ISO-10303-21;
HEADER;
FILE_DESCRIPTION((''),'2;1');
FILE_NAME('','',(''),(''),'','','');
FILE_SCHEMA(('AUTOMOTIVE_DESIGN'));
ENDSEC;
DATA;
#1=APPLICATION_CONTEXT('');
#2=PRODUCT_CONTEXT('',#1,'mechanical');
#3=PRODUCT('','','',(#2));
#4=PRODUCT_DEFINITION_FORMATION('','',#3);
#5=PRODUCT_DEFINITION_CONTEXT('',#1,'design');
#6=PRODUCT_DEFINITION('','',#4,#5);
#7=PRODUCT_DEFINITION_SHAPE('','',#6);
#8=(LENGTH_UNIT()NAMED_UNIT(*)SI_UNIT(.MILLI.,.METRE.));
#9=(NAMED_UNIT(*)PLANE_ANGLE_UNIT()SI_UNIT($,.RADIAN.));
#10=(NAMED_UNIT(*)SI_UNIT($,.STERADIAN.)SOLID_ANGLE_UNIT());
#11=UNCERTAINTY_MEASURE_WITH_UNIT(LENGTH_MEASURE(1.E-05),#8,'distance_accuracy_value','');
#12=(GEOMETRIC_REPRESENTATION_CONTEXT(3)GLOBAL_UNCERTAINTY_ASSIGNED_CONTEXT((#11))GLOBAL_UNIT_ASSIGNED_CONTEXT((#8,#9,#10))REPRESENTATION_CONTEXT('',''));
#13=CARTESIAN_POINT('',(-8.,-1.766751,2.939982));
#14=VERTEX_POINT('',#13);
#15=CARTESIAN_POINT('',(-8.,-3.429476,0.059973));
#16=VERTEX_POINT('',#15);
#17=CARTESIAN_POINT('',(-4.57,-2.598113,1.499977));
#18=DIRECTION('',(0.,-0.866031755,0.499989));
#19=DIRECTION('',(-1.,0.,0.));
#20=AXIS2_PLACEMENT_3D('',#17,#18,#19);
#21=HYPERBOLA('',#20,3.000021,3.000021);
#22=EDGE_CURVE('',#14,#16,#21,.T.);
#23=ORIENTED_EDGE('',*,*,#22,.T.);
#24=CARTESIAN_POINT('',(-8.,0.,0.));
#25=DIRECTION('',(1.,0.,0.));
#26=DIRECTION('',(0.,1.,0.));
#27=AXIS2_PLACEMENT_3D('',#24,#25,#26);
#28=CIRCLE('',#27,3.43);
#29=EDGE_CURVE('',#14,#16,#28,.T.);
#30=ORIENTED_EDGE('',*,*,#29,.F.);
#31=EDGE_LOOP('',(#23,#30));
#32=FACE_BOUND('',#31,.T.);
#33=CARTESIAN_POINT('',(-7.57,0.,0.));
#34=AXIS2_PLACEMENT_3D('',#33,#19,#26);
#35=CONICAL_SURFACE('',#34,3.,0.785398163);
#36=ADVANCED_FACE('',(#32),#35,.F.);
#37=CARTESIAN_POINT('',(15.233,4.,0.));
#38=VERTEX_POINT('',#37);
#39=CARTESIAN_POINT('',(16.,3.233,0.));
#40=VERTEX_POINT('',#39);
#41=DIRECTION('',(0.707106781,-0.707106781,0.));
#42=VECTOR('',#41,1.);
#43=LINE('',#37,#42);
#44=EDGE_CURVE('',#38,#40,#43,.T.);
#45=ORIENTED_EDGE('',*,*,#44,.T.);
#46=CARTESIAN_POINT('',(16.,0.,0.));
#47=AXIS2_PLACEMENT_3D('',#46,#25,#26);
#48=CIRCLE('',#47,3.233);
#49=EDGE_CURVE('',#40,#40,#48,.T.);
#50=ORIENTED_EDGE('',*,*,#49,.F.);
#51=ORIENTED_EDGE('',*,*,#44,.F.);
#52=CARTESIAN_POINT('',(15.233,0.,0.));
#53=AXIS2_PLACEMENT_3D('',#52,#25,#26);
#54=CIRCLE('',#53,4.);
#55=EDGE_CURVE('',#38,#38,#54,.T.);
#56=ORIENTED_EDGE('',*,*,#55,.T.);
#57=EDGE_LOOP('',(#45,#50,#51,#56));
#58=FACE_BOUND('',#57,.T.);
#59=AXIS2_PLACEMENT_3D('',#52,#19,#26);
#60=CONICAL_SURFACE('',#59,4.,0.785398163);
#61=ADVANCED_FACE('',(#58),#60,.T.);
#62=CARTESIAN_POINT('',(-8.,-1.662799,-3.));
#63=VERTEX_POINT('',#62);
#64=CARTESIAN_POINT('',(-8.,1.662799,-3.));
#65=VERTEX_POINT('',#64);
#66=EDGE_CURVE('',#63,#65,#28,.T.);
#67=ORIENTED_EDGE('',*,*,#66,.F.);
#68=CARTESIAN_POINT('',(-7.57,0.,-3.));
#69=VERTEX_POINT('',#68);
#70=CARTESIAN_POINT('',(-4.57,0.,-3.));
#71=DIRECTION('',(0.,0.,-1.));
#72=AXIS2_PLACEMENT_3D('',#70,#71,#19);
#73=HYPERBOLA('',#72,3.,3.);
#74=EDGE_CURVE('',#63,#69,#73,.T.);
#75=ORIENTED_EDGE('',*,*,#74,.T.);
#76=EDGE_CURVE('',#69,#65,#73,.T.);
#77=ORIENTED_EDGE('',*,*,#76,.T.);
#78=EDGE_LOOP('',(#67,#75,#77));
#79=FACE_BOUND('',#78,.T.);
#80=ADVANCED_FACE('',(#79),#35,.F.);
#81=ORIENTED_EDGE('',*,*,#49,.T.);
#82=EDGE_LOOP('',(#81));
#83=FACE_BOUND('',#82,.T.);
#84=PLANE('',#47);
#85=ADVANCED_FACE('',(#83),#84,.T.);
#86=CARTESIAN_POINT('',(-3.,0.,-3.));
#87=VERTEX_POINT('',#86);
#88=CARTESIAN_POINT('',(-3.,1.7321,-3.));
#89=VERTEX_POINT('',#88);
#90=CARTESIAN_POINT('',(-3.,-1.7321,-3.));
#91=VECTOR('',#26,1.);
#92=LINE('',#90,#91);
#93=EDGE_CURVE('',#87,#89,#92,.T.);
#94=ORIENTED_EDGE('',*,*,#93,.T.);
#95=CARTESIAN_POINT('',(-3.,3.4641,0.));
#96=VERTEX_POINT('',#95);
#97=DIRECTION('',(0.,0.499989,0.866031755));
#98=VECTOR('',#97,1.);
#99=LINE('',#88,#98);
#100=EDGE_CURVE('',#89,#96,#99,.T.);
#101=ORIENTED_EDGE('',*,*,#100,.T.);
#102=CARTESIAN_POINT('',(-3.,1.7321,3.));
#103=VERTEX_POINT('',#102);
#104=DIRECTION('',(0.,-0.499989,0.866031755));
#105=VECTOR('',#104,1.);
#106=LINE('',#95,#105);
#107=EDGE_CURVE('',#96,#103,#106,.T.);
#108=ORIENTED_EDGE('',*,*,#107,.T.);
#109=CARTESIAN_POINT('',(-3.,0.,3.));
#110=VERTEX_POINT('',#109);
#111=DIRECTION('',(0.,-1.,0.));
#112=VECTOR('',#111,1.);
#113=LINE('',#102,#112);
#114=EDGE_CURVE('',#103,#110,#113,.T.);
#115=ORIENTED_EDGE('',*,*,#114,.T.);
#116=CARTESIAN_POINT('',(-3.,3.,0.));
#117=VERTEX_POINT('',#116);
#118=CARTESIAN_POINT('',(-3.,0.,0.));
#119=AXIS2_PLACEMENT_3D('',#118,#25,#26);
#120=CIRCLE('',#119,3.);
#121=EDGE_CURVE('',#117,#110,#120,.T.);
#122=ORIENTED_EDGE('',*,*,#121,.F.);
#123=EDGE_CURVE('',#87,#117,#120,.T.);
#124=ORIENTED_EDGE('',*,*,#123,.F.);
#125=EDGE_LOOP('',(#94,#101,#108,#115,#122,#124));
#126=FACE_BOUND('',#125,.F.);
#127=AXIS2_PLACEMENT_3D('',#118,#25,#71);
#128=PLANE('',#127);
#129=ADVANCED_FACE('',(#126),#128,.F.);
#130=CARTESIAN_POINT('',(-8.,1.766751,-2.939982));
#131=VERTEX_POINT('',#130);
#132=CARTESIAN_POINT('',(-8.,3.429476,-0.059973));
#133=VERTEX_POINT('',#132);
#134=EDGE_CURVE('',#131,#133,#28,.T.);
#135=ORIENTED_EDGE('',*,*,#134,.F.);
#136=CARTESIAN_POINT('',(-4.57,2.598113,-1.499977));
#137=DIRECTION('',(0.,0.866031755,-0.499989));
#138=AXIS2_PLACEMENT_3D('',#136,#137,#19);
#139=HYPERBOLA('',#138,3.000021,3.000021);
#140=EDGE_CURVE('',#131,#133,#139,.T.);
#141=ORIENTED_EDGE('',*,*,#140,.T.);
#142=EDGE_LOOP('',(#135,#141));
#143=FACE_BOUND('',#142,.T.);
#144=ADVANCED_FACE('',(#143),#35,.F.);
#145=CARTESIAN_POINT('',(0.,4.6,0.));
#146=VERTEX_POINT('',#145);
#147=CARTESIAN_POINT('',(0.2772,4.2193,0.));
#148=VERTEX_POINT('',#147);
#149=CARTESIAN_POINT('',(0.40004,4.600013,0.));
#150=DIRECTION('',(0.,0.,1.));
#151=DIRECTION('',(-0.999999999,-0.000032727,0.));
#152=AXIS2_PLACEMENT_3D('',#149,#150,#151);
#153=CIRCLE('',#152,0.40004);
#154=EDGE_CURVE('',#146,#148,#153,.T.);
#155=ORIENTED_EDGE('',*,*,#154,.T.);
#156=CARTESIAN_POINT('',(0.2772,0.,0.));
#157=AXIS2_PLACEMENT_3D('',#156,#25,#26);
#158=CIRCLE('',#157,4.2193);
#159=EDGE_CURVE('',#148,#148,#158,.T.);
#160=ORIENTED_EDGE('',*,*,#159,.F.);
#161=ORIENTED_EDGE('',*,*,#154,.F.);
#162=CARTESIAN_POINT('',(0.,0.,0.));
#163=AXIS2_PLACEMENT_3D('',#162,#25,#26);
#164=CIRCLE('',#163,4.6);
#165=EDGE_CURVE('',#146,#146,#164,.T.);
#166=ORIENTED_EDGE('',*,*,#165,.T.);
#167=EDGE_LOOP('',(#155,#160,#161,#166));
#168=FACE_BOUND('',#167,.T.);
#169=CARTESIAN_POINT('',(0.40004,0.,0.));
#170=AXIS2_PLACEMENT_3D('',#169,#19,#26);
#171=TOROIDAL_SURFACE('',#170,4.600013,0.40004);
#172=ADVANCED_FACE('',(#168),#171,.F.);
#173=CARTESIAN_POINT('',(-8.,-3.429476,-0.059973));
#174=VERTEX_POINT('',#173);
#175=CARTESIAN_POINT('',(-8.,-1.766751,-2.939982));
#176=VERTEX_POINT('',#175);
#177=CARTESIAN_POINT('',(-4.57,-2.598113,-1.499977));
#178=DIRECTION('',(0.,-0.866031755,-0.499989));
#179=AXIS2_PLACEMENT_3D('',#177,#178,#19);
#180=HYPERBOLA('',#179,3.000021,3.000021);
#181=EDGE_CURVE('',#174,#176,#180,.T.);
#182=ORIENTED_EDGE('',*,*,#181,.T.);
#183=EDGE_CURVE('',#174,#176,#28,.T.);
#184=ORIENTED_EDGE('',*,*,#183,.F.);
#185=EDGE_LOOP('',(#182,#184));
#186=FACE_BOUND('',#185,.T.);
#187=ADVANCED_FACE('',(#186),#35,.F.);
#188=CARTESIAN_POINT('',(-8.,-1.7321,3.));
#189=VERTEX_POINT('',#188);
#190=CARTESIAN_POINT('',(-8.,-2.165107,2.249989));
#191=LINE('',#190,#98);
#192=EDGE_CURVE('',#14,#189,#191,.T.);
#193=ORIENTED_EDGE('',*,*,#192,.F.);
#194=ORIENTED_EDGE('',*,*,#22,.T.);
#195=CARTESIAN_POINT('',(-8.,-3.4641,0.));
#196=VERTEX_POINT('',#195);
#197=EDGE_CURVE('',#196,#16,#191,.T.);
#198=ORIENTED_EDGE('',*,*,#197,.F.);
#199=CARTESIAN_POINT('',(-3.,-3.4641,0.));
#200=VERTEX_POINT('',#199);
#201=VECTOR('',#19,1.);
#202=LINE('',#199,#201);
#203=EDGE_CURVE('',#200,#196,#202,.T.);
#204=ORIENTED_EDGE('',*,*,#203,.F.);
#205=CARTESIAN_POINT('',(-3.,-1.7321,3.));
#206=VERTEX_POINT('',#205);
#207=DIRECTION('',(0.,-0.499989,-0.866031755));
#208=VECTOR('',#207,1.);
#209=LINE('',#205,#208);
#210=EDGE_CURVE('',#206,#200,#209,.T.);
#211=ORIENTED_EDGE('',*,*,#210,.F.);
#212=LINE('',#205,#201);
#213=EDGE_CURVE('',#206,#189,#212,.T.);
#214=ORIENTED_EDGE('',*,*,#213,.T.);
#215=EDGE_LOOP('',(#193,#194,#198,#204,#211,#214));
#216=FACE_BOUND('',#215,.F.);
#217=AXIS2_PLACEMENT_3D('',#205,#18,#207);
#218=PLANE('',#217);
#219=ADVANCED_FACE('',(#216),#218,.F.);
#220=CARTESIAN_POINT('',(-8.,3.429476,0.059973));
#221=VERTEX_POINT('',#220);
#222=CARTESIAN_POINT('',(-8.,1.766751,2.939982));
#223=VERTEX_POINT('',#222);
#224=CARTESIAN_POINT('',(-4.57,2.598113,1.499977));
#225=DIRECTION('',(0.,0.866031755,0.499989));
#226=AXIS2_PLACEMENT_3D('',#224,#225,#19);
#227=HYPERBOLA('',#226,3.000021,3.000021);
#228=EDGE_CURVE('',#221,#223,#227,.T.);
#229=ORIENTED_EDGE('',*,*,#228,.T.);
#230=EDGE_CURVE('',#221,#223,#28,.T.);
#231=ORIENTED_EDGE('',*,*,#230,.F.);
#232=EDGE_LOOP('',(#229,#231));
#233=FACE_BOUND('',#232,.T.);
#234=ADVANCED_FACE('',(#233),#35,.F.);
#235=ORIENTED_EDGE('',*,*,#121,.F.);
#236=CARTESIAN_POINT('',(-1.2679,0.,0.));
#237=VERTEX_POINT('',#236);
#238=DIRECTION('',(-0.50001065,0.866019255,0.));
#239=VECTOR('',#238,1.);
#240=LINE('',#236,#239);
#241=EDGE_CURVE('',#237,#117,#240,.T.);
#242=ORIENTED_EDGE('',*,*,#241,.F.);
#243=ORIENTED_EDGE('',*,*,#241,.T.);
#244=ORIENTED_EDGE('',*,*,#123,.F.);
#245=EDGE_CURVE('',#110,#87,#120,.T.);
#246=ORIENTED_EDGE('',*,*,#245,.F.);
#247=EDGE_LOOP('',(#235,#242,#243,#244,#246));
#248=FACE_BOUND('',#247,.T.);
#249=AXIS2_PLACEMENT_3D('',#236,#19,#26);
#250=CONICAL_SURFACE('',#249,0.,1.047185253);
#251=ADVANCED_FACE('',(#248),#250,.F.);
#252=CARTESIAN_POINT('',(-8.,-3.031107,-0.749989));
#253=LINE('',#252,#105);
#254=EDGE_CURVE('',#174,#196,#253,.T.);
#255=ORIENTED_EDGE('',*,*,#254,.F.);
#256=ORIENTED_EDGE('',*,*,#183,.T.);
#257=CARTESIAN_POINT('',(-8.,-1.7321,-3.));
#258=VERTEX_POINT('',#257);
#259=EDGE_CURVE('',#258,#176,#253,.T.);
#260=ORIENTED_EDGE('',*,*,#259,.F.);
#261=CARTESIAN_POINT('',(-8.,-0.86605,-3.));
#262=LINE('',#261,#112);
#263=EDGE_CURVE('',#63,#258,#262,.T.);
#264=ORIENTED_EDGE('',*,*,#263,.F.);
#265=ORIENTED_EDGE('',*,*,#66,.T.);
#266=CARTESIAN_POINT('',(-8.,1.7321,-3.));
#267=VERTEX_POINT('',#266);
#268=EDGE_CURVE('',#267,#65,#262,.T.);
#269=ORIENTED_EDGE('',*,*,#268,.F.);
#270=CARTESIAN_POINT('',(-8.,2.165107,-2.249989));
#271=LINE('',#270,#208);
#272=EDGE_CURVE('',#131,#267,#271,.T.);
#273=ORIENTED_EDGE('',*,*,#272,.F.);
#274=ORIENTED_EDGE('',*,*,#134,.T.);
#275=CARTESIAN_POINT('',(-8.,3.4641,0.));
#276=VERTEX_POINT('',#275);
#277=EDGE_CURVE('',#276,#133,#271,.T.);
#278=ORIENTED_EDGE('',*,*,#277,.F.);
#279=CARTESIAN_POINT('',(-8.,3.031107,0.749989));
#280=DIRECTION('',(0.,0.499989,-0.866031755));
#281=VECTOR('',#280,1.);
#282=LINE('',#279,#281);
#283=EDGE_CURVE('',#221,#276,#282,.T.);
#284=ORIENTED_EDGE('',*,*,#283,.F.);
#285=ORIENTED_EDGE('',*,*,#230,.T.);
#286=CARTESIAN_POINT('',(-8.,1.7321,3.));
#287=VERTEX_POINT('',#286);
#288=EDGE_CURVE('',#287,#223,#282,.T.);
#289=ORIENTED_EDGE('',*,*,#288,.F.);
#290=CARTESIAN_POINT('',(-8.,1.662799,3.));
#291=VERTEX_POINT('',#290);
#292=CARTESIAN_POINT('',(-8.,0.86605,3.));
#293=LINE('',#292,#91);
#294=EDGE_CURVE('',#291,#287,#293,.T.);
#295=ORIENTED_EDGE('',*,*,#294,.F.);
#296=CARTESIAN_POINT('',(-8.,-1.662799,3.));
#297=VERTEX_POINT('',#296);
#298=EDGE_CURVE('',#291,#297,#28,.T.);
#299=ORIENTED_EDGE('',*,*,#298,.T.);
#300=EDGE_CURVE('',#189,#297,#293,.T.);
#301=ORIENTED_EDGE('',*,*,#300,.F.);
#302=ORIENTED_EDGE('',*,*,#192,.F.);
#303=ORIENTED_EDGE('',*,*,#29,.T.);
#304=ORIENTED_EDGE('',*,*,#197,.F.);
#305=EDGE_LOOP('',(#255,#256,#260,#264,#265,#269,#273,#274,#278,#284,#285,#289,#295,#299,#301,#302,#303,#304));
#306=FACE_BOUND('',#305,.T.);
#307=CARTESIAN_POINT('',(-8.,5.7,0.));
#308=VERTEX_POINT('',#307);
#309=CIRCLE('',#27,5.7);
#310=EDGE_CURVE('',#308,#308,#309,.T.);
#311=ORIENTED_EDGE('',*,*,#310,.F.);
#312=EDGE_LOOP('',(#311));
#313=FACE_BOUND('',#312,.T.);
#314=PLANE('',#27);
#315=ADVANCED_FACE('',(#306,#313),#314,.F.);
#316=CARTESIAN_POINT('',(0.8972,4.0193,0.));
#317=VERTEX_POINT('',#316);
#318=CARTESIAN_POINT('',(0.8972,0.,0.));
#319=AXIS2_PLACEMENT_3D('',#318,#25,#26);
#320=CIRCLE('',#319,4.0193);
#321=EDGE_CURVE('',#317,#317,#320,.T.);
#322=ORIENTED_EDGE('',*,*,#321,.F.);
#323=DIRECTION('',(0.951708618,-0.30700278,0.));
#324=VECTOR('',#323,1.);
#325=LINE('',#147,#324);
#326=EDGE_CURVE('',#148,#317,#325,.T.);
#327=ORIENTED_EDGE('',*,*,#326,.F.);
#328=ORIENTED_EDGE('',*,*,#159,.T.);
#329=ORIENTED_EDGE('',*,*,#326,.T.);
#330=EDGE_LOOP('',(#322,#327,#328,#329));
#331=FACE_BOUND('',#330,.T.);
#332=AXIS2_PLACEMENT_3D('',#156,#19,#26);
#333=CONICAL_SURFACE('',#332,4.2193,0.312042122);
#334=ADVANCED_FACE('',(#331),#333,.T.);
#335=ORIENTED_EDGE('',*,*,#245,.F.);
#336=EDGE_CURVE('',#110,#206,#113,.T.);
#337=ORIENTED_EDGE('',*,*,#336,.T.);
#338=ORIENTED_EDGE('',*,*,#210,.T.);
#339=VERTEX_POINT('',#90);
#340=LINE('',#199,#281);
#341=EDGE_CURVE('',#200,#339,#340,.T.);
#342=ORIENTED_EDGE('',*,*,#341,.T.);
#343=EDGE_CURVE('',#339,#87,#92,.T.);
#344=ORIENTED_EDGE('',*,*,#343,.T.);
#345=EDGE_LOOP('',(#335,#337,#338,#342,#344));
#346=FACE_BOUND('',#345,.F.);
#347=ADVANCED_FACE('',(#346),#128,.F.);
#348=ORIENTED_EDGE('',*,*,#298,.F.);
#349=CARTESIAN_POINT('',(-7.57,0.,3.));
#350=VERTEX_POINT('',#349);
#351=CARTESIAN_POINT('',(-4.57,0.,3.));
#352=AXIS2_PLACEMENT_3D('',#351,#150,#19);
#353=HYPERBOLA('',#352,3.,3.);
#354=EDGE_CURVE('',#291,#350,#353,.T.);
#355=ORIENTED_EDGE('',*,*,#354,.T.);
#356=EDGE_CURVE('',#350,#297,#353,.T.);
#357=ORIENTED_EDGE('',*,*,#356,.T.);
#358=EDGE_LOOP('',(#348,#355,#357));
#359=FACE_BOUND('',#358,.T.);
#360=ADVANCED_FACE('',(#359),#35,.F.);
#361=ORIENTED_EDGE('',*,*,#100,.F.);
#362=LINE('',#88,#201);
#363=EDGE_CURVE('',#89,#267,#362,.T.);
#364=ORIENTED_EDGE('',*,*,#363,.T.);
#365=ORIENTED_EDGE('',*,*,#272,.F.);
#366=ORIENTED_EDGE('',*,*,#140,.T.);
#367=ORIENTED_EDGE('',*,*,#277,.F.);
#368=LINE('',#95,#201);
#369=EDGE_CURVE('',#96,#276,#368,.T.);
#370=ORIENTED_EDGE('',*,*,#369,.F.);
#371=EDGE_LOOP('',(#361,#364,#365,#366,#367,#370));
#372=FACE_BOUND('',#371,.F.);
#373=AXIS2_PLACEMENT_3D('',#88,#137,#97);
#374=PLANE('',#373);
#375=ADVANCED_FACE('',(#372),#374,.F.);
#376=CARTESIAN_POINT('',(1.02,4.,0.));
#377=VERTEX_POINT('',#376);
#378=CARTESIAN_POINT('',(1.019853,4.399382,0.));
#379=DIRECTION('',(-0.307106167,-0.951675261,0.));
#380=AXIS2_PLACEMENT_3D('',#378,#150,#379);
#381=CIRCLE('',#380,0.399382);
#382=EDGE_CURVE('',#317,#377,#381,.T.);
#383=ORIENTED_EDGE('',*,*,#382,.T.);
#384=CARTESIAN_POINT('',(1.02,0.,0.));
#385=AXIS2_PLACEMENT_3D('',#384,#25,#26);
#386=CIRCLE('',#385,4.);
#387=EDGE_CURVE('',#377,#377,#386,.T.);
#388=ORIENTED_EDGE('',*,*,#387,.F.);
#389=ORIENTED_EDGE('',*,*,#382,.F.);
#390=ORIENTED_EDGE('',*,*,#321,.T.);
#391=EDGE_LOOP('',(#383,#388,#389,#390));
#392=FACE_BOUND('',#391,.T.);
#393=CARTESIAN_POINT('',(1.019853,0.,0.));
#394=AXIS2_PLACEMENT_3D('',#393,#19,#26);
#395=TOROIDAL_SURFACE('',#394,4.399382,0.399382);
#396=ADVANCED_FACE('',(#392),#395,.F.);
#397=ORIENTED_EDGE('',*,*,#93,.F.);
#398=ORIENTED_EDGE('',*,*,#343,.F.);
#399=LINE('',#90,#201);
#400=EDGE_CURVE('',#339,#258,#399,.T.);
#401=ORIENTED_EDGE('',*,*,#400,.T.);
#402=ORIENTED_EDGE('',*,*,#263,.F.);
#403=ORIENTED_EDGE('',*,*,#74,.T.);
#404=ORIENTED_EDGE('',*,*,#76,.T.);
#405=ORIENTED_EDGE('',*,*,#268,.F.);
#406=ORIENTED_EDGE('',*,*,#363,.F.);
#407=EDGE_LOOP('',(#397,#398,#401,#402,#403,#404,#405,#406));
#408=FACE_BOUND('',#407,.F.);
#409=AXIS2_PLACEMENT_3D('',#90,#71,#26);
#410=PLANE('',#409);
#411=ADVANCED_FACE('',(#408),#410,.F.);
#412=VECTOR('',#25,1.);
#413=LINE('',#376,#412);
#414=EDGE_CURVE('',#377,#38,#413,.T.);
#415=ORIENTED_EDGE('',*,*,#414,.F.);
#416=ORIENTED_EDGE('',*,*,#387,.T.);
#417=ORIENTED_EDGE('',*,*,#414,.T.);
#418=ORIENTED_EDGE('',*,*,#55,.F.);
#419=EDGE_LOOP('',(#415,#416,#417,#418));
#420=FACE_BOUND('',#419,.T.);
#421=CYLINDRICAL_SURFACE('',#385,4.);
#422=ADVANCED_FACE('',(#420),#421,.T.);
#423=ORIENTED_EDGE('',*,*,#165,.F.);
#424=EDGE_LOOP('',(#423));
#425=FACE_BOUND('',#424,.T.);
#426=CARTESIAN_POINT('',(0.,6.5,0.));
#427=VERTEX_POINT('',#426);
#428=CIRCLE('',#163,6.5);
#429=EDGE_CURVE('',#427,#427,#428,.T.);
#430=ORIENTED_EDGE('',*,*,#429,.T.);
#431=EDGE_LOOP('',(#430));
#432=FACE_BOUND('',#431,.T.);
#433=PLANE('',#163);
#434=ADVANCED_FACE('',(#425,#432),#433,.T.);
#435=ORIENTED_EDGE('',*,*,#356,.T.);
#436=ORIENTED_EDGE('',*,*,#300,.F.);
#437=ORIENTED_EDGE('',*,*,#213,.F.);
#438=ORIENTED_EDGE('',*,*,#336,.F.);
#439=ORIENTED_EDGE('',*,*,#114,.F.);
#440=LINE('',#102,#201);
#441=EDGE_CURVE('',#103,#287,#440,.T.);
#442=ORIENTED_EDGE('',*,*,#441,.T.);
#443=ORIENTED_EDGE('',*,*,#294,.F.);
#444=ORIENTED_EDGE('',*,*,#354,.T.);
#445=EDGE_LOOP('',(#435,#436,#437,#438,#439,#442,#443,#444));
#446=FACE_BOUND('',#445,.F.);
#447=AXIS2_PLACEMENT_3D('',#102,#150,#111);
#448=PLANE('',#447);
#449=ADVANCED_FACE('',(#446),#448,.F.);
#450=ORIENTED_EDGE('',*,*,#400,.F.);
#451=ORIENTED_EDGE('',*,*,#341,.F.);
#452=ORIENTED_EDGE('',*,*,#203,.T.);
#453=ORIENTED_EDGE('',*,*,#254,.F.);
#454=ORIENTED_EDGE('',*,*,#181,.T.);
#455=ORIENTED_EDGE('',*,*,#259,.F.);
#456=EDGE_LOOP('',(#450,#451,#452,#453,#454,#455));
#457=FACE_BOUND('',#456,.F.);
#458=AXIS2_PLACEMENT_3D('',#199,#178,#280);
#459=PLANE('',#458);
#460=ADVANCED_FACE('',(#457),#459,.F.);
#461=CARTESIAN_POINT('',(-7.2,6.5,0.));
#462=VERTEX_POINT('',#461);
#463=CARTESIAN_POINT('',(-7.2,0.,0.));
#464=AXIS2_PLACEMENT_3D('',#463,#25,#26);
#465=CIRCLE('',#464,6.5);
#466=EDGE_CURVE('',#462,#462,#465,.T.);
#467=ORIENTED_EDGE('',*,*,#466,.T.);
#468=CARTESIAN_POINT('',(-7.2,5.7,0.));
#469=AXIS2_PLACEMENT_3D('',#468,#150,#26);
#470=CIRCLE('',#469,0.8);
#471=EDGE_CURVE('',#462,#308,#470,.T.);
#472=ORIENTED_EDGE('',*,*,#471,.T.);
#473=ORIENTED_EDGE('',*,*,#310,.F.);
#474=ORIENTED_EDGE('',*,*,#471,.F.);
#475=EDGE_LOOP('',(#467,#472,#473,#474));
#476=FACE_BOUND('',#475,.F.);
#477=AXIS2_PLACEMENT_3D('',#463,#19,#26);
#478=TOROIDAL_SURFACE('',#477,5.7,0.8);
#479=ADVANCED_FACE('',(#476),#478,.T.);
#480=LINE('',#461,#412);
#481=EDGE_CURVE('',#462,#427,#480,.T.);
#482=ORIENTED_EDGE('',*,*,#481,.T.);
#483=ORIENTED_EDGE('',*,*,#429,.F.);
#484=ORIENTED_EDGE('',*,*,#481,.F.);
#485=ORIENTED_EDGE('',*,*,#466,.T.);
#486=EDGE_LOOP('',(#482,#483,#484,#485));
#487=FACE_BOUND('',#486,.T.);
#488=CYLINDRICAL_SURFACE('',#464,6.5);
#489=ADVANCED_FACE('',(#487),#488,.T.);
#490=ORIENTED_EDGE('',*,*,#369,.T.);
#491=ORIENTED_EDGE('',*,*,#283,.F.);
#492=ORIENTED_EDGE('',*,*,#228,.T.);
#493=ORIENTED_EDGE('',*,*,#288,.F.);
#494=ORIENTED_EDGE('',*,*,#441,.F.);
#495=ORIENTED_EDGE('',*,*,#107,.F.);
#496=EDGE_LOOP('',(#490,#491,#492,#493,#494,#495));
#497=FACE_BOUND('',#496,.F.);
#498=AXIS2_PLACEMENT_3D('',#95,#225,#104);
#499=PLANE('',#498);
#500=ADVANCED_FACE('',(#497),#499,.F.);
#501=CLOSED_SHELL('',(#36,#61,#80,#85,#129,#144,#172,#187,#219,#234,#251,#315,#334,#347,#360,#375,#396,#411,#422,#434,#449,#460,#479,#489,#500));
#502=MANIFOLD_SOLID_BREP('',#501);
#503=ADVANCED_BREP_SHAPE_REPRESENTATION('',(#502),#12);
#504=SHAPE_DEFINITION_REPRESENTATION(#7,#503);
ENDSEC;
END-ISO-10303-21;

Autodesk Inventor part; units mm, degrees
sketch "Skizze_2" plane through (0, 0, 0) normal (0, 0, 1) x (1, 0, 0)
  line L0 (19, 0) -> (-11, 0)
  line L1 (-1.2679, 0) -> (-3, 3)
  line L2 (-3, 3) -> (-7.57, 3)
  line L3 (-7.57, 3) -> (-8, 3.43)
  line L4 (-8, 3.43) -> (-8, 5.7)
  arc A0 (-7.2, 6.5) -> (-8, 5.7) centre (-7.2, 5.7) ccw
  line L5 (-7.2, 6.5) -> (0, 6.5)
  line L6 (0, 6.5) -> (0, 4.6)
  arc A1 (0, 4.6) -> (0.2772, 4.2193) centre (0.4, 4.6) ccw
  line L7 (0.2772, 4.2193) -> (0.8972, 4.0193)
  arc A2 (0.8972, 4.0193) -> (1.02, 4) centre (1.02, 4.4) ccw
  line L8 (1.02, 4) -> (15.233, 4)
  line L9 (15.233, 4) -> (16, 3.233)
  line L10 (16, 3.233) -> (16, 0)
  line L11 (16, 0) -> (-1.2679, 0)
revolve "Revolution1" add sketch "Skizze_2" angle 360 about axis through (19, 0, 0) along (1, 0, 0)
thread "Thread1" size "M8x1.25" class "6g" standard "ISO Metric profile" length 11.483
sketch "Skizze_1" plane through (-3, 0, 0) normal (1, 0, 0) x (0, 0, -1)
  line L0 (-3, -1.7321) -> (0, -3.4641)
  line L1 (0, -3.4641) -> (3, -1.7321)
  line L2 (3, -1.7321) -> (3, 1.7321)
  line L3 (3, 1.7321) -> (0, 3.4641)
  line L4 (0, 3.4641) -> (-3, 1.7321)
  line L5 (-3, 1.7321) -> (-3, -1.7321)
extrude "Extrusion1" cut sketch "Skizze_1" against normal blind 8
ref_plane "IP1_XY" through (0, 0, 0) normal (1, 0, 0) x (0, 0, -1)
ref_plane "IP1_YZ" through (0, 0, 0) normal (0, 0, -1) x (0, 1, 0)
ref_plane "IP1_ZX" through (0, 0, 0) normal (0, 1, 0) x (1, 0, 0)
ref_plane "IP2_XY" through (-8, 0, 0) normal (1, 0, 0) x (0, 0, -1)
ref_plane "IP2_YZ" through (-8, 0, 0) normal (0, 0, -1) x (0, 1, 0)
ref_plane "IP2_ZX" through (-8, 0, 0) normal (0, 1, 0) x (1, 0, 0)
ref_plane "IP3_XY" through (16, 0, 0) normal (1, 0, 0) x (0, 0, -1)
ref_plane "IP3_YZ" through (16, 0, 0) normal (0, 0, -1) x (0, 1, 0)
ref_plane "IP3_ZX" through (16, 0, 0) normal (0, 1, 0) x (1, 0, 0)
ref_plane "P_GUS_1000_XY" through (11.5, 0, 0) normal (1, 0, 0) x (0, 0, -1)
ref_plane "P_GUS_1000_YZ" through (11.5, 0, 0) normal (0, 0, -1) x (0, 1, 0)
ref_plane "P_GUS_1000_ZX" through (11.5, 0, 0) normal (0, 1, 0) x (1, 0, 0)
properties part number "Robotunits IBS M8x16"
